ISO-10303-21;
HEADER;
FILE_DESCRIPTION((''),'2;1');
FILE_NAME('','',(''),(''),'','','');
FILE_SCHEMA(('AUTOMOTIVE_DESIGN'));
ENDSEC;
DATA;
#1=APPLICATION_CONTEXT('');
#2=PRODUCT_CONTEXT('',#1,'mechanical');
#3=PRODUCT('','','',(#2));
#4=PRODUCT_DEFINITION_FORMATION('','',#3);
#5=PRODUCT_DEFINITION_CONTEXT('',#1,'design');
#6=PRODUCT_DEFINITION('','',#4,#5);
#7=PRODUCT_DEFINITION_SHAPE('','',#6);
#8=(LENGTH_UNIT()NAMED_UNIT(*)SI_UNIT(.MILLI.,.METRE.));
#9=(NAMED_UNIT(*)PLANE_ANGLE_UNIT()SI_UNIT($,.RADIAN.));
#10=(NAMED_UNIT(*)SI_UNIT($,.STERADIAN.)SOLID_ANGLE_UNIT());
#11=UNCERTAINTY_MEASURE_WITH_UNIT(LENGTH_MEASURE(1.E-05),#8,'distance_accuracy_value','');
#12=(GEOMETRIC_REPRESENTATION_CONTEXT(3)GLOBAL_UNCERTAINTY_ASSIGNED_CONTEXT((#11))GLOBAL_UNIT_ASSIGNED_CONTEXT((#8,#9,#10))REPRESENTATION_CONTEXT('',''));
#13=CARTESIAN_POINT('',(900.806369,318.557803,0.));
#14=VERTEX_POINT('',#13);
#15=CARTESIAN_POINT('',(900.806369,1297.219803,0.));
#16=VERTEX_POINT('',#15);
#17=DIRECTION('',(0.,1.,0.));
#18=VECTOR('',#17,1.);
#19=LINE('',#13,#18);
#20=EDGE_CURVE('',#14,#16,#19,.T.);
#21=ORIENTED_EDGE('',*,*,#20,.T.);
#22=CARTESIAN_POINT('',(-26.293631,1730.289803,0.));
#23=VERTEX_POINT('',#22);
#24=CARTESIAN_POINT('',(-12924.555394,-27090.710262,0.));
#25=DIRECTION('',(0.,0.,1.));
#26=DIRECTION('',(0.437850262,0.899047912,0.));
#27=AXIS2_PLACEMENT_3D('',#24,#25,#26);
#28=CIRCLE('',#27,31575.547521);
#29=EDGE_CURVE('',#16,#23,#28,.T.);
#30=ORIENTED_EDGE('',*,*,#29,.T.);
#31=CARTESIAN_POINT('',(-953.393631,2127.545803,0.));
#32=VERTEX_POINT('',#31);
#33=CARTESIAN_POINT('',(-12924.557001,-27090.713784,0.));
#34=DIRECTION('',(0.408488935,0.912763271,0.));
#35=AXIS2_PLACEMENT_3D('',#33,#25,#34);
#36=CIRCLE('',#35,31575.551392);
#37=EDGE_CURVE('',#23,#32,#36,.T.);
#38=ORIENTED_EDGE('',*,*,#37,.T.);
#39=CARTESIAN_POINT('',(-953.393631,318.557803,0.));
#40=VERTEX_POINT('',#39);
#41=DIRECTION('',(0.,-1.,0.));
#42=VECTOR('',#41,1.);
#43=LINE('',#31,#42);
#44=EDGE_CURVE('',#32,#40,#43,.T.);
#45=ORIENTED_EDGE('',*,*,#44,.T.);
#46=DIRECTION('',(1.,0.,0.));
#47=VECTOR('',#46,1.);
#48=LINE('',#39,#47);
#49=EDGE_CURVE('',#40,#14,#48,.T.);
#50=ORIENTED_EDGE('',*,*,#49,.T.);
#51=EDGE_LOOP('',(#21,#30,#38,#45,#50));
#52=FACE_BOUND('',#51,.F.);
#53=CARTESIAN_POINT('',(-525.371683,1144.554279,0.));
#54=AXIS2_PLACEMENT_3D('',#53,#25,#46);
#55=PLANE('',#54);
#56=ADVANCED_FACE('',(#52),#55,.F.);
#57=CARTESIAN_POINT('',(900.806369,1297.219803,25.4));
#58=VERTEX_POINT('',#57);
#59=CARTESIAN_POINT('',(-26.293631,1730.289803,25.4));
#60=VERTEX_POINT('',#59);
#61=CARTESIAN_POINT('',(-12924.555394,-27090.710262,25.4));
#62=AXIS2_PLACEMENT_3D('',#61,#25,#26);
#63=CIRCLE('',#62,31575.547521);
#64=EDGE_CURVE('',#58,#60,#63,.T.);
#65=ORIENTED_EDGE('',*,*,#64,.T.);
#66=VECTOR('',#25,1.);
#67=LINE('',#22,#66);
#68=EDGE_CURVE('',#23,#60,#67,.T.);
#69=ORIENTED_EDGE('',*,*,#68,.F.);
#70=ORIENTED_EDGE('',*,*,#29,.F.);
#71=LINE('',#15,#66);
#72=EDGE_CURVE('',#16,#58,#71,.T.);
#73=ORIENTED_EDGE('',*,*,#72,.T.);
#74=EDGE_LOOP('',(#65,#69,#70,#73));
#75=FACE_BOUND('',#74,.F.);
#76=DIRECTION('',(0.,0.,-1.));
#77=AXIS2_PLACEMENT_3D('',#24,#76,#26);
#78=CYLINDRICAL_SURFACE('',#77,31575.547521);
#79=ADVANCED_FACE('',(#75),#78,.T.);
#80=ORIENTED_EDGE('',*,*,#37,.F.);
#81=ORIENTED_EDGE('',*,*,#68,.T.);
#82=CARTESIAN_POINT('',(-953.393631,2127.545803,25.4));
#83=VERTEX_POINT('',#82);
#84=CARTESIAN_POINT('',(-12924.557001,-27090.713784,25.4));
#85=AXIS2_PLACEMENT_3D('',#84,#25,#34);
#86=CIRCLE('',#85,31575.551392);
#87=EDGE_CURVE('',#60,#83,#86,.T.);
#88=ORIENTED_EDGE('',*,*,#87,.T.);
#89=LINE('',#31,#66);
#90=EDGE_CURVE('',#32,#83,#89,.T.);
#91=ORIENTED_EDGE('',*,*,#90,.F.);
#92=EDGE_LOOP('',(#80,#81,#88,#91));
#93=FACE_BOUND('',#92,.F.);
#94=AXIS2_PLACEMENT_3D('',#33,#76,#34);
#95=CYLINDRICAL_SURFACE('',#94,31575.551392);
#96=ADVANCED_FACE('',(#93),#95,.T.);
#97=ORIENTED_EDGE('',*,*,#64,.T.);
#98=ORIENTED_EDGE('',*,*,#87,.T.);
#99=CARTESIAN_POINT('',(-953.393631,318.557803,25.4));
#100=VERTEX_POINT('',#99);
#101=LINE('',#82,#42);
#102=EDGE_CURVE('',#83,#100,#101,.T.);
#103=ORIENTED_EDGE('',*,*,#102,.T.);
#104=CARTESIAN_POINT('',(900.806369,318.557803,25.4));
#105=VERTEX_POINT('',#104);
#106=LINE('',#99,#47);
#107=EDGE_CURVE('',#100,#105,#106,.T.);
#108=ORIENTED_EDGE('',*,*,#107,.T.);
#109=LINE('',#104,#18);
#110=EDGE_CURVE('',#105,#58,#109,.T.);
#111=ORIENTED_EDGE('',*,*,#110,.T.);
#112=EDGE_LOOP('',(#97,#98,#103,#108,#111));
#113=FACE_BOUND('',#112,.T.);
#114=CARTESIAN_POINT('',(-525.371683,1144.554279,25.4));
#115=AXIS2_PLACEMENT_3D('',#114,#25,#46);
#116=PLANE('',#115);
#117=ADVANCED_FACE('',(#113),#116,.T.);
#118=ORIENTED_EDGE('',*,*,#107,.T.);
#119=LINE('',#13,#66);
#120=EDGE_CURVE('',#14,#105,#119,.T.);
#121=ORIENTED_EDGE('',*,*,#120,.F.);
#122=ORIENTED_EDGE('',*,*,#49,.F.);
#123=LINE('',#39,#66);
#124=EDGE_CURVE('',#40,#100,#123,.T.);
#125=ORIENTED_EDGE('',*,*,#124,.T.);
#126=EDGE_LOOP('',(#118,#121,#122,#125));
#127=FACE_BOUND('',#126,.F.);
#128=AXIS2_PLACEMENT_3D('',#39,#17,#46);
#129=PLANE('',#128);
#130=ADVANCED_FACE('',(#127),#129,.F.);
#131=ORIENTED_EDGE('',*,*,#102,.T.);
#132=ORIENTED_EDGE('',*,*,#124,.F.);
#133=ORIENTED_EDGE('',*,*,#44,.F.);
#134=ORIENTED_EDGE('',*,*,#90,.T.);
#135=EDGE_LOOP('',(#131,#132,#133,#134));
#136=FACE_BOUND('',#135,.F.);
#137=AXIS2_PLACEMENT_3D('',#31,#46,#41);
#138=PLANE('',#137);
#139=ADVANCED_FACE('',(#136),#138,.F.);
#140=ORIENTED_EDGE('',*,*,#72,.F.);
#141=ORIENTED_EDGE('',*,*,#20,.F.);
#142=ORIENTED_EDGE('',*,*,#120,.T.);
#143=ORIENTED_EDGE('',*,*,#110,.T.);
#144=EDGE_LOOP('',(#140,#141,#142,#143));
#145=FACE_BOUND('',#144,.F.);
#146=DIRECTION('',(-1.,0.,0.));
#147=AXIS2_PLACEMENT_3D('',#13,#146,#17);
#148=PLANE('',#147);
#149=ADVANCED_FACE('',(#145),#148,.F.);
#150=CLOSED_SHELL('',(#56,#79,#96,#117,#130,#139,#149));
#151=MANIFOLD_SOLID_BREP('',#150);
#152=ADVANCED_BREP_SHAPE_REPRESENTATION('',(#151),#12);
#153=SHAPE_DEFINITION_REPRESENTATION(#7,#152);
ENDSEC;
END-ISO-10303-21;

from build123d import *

# Parameters (mm, degrees)
F1_DEPTH = 25.4


with BuildPart() as f1:
    # F0 (on Top) → F1 (new body)
    with BuildSketch(Plane.XY):
        with BuildLine():
            Line((-953.393631, 2127.545803), (-953.393631, 318.557803))
            Line((-953.393631, 318.557803), (-26.293631, 318.557803))
            Line((-26.293631, 318.557803), (-26.293631, 1730.289803))
            ThreePointArc((-26.293631, 1730.289803), (-488.257323, 1932.619864), (-953.393631, 2127.545803))
        make_face()
        with BuildLine():
            Line((-26.293631, 1730.289803), (-26.293631, 318.557803))
            Line((-26.293631, 318.557803), (900.806369, 318.557803))
            Line((900.806369, 318.557803), (900.806369, 1297.219803))
            ThreePointArc((900.806369, 1297.219803), (439.010784, 1517.510589), (-26.293631, 1730.289803))
        make_face()
    extrude(amount=F1_DEPTH)


solid = f1.part
